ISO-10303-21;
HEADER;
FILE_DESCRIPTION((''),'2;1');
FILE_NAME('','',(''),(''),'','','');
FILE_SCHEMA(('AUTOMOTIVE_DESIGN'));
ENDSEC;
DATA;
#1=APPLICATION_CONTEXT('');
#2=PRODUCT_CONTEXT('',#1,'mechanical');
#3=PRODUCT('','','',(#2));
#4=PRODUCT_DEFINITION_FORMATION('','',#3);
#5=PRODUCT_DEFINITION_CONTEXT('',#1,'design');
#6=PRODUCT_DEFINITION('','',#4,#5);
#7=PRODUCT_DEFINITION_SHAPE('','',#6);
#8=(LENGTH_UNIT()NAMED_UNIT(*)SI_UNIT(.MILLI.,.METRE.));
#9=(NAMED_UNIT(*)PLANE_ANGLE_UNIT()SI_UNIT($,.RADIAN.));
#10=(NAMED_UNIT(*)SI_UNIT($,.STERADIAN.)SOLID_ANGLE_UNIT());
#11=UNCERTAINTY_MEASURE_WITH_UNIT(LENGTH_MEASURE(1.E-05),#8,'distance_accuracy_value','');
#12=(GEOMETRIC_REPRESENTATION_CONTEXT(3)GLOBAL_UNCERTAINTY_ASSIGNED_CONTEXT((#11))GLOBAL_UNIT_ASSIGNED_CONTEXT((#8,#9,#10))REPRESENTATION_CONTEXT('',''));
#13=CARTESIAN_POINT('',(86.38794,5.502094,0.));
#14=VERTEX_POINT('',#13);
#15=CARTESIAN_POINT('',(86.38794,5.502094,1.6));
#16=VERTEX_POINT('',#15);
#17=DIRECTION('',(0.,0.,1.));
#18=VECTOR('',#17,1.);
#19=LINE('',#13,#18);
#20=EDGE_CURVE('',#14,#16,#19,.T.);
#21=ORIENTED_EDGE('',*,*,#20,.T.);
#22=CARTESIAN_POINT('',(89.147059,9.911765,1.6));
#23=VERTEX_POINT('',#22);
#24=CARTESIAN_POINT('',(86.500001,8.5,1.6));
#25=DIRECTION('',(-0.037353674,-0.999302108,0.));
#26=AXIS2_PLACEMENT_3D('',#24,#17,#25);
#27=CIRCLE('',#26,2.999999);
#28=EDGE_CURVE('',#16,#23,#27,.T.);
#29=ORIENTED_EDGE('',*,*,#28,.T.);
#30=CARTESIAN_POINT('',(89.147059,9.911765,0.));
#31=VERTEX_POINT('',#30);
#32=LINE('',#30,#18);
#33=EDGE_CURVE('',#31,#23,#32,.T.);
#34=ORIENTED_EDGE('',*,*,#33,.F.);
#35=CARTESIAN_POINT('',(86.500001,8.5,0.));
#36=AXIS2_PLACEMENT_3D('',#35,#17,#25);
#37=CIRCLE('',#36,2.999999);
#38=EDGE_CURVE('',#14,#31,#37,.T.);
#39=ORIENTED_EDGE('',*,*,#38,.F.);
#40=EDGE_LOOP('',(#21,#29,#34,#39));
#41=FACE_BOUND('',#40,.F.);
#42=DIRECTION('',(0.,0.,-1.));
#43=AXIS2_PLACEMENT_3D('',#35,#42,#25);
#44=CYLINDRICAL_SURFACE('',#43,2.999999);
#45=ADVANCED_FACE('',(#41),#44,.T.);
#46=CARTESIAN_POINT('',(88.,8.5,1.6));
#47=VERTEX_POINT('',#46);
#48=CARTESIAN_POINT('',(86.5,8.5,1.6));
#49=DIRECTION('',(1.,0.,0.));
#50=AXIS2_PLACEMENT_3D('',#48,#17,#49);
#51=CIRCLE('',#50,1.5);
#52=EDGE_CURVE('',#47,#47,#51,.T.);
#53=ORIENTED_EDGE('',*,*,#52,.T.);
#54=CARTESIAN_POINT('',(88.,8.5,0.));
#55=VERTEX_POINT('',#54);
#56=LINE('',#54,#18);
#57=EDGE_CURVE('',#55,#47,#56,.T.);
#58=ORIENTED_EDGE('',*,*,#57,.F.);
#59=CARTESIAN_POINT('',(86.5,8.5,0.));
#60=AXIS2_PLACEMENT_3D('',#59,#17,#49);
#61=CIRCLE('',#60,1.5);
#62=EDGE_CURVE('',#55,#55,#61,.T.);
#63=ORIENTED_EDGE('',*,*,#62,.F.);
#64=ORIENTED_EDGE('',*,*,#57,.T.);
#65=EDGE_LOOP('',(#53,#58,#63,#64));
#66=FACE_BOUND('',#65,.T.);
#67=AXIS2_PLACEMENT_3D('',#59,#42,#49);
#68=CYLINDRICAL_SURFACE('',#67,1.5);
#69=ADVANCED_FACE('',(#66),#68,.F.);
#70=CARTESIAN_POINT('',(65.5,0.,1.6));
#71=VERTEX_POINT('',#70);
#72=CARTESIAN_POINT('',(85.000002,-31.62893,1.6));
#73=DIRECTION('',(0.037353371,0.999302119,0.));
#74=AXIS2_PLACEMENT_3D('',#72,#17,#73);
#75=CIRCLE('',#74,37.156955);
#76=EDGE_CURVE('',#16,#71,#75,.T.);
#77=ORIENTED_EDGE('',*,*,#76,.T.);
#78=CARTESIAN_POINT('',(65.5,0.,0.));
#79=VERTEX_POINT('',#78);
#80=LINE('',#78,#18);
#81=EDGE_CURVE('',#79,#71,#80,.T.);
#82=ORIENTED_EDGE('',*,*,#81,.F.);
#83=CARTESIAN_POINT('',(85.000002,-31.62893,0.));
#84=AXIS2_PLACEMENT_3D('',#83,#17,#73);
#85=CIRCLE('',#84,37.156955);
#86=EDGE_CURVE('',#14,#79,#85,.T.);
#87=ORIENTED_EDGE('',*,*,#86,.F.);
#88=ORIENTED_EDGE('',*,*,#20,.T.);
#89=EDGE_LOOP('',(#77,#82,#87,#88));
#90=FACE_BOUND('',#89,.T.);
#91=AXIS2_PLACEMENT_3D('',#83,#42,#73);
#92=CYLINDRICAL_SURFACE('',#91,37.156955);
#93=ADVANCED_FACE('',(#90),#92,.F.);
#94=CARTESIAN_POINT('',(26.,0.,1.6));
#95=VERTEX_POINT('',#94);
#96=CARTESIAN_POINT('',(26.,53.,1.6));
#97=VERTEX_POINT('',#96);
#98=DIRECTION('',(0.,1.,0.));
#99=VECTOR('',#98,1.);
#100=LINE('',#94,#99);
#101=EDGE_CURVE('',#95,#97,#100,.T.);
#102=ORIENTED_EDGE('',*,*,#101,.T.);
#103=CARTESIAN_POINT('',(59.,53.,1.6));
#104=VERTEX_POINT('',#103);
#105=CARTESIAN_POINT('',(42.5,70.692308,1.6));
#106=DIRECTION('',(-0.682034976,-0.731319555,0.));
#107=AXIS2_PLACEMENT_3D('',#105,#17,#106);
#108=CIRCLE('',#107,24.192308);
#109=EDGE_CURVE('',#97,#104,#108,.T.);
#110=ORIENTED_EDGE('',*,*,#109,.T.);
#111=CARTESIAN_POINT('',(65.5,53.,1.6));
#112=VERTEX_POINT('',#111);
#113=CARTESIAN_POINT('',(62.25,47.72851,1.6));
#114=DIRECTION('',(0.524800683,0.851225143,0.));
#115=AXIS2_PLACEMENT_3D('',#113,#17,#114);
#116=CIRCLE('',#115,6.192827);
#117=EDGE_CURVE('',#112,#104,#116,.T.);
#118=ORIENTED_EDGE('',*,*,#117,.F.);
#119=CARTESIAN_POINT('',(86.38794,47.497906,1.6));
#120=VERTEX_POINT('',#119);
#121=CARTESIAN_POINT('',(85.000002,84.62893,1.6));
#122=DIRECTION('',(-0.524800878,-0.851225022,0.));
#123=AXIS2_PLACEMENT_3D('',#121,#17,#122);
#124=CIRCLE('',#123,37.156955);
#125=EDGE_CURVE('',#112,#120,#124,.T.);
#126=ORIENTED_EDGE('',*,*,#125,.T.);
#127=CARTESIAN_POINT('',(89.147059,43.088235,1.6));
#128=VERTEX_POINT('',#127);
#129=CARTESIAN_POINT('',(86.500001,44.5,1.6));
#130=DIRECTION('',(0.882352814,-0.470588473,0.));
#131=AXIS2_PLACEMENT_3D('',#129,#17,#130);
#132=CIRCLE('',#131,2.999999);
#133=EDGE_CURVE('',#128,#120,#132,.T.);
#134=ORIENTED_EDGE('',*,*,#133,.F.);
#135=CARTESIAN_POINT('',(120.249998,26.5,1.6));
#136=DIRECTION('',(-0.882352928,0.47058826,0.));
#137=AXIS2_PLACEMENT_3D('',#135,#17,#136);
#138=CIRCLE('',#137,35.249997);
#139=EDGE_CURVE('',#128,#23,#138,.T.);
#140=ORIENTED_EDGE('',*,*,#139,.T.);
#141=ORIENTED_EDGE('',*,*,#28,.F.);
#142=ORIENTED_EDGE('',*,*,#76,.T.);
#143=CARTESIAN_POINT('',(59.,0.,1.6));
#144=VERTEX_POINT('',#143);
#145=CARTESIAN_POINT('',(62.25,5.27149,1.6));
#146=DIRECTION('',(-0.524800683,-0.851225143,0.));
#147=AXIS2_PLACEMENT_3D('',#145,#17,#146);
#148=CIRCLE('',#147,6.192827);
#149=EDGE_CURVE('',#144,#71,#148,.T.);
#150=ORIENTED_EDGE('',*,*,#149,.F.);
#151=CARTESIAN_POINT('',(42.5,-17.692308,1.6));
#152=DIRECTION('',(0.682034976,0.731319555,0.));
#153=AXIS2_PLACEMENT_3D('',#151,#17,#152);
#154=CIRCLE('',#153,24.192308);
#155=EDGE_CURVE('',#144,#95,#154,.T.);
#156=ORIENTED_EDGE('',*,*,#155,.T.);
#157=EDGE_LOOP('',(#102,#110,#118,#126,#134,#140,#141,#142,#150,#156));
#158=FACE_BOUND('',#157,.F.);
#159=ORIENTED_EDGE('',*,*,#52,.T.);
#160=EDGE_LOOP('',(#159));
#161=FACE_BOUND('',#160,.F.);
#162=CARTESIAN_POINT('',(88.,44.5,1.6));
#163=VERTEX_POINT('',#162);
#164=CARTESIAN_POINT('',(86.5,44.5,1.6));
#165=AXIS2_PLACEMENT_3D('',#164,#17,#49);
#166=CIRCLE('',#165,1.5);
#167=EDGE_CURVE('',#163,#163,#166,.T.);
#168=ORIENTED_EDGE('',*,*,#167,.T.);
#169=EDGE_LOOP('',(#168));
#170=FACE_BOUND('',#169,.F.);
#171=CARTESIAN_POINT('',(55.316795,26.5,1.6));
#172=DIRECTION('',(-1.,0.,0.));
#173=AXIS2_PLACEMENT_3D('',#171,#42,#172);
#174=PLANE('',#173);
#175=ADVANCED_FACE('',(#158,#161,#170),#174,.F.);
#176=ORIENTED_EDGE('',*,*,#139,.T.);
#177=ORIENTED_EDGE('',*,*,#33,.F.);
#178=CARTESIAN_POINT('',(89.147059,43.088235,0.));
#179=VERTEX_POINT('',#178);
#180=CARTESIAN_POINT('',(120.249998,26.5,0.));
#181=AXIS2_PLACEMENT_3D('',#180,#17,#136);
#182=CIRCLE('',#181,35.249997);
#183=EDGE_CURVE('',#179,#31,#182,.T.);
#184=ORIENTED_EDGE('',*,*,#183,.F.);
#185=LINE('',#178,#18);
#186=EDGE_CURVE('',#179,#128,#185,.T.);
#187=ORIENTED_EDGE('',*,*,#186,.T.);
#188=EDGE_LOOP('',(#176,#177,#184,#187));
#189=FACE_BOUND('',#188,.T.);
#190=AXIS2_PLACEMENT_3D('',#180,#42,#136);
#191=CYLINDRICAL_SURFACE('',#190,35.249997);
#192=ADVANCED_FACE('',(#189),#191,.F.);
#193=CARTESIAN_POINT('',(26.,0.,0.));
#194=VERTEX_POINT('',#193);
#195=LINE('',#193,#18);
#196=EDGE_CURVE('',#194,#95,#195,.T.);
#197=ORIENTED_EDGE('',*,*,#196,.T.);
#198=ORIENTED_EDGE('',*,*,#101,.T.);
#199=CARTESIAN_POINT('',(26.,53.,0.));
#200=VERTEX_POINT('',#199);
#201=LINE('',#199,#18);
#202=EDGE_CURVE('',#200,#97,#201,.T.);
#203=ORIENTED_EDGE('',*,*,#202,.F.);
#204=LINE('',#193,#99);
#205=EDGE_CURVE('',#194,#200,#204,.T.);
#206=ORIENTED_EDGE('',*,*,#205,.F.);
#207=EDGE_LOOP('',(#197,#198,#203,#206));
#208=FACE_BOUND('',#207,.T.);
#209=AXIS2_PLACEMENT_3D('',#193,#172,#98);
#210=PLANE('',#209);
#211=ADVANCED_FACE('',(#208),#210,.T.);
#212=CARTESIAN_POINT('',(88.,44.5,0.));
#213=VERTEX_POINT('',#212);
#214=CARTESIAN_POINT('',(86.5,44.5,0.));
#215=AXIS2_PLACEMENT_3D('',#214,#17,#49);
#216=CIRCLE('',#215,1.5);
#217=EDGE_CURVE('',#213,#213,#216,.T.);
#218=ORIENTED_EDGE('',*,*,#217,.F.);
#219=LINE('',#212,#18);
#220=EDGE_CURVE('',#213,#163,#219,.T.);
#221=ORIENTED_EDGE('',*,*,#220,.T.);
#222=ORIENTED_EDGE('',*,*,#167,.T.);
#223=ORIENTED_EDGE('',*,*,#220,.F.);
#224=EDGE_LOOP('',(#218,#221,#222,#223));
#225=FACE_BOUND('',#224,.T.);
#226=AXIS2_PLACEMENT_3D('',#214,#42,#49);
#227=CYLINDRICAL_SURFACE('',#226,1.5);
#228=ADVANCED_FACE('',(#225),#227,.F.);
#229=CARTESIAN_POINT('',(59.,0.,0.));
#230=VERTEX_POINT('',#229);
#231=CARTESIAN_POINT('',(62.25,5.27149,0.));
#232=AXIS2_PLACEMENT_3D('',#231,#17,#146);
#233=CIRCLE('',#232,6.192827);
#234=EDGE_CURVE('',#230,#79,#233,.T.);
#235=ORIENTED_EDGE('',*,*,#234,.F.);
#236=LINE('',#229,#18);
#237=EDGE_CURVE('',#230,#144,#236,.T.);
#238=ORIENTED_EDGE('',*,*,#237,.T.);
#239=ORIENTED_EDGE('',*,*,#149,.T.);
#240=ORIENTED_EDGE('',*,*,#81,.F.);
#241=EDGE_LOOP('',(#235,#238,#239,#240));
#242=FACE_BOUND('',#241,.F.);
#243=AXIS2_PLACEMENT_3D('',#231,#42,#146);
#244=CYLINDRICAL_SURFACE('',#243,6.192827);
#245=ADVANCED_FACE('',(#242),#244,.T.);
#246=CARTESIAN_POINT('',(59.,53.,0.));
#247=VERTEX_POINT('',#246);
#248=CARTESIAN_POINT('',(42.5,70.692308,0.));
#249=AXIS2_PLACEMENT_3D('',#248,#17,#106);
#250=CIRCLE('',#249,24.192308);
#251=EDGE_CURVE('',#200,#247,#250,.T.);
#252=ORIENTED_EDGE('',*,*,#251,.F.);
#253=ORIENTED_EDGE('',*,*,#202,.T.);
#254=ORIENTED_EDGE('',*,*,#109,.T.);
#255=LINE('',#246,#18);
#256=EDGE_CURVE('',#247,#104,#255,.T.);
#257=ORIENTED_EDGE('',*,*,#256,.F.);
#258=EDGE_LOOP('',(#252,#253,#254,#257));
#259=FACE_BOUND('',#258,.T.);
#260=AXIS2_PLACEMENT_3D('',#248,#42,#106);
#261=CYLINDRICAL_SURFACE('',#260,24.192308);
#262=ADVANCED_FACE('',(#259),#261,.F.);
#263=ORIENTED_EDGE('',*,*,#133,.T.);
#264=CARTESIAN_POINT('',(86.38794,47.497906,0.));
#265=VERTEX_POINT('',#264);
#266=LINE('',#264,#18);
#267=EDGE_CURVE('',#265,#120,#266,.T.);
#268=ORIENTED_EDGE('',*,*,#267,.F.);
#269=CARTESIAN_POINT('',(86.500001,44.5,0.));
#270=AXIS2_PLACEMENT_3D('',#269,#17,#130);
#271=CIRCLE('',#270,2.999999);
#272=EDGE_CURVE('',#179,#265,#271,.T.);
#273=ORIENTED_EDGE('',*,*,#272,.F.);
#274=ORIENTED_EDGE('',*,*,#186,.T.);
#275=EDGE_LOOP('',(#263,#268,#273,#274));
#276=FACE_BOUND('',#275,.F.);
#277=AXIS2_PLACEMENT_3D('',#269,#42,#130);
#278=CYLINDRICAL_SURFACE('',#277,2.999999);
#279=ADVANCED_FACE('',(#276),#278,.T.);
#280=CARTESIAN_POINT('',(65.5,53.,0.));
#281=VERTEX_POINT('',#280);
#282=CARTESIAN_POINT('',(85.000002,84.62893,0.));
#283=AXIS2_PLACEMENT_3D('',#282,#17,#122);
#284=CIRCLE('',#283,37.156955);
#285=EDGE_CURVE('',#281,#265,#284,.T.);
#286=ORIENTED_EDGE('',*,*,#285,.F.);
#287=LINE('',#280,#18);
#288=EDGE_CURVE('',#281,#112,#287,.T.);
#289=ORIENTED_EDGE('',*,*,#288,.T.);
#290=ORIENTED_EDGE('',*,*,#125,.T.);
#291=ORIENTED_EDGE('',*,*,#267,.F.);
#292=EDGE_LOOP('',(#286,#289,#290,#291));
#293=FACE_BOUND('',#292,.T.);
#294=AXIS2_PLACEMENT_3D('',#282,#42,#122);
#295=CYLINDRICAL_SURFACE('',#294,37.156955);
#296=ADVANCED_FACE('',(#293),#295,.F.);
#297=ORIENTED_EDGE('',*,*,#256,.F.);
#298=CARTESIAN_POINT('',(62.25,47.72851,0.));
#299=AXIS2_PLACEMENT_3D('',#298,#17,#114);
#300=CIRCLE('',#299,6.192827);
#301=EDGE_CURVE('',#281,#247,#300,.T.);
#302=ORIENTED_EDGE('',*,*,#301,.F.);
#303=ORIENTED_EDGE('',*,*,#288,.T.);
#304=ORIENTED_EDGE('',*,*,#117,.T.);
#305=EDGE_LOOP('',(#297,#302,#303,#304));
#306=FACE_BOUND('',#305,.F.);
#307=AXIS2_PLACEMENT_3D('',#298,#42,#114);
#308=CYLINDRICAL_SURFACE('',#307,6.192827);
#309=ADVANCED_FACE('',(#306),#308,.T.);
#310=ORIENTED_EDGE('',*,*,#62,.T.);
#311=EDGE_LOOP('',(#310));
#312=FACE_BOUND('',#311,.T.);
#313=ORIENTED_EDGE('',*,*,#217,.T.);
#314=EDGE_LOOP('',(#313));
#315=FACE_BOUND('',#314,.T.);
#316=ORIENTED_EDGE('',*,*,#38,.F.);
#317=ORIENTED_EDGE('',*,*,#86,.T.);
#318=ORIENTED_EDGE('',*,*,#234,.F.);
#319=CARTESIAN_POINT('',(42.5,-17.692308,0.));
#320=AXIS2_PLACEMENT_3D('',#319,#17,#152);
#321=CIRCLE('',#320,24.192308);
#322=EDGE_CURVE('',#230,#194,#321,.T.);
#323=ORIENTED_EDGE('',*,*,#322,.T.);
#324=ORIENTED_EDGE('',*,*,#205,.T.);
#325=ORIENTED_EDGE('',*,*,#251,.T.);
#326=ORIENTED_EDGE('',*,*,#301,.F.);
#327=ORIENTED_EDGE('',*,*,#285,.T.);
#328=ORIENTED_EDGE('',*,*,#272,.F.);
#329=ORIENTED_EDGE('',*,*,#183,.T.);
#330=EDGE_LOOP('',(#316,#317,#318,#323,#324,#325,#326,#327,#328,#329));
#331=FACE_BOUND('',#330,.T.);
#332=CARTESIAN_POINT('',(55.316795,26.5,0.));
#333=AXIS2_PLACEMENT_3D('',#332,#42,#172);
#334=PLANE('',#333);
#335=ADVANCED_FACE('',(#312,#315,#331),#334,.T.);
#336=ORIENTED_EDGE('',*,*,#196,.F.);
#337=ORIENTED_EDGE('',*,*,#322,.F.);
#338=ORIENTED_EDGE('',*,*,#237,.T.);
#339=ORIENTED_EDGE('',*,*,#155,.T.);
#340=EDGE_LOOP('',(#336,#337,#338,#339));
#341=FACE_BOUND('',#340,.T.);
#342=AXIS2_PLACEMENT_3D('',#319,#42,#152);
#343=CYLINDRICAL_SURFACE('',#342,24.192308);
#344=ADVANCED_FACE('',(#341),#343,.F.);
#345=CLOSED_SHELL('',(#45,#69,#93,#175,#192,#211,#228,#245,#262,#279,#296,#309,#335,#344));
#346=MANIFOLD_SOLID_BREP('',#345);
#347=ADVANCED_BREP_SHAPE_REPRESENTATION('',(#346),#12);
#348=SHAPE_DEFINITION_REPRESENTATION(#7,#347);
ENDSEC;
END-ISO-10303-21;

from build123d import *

# Parameters (mm, degrees)
SKETCH_R  = 1.5
PAD_DEPTH = 1.6


with BuildPart() as part:
    # Sketch → Pad (new body)
    with BuildSketch(Plane.XY):
        with BuildLine():
            ThreePointArc((59, 0), (42.5, 6.5), (26, 0))
            Line((26, 0), (26, 53))
            ThreePointArc((26, 53), (42.5, 46.5), (59, 53))
            ThreePointArc((65.5, 53), (62.25, 53.921337), (59, 53))
            ThreePointArc((65.5, 53), (75.535332, 48.697616), (86.38794, 47.497906))
            ThreePointArc((89.147059, 43.088235), (89.043198, 46.091272), (86.38794, 47.497906))
            ThreePointArc((89.147059, 43.088235), (85, 26.5), (89.147059, 9.911765))
            ThreePointArc((86.38794, 5.502094), (89.043198, 6.908728), (89.147059, 9.911765))
            ThreePointArc((86.38794, 5.502094), (75.535332, 4.302384), (65.5, 0))
            ThreePointArc((59, 0), (62.25, -0.921337), (65.5, 0))
        make_face()
        with Locations((86.5, 44.5)):
            Circle(SKETCH_R, mode=Mode.SUBTRACT)
        with Locations((86.5, 8.5)):
            Circle(SKETCH_R, mode=Mode.SUBTRACT)
    extrude(amount=PAD_DEPTH)


solid = part.part
